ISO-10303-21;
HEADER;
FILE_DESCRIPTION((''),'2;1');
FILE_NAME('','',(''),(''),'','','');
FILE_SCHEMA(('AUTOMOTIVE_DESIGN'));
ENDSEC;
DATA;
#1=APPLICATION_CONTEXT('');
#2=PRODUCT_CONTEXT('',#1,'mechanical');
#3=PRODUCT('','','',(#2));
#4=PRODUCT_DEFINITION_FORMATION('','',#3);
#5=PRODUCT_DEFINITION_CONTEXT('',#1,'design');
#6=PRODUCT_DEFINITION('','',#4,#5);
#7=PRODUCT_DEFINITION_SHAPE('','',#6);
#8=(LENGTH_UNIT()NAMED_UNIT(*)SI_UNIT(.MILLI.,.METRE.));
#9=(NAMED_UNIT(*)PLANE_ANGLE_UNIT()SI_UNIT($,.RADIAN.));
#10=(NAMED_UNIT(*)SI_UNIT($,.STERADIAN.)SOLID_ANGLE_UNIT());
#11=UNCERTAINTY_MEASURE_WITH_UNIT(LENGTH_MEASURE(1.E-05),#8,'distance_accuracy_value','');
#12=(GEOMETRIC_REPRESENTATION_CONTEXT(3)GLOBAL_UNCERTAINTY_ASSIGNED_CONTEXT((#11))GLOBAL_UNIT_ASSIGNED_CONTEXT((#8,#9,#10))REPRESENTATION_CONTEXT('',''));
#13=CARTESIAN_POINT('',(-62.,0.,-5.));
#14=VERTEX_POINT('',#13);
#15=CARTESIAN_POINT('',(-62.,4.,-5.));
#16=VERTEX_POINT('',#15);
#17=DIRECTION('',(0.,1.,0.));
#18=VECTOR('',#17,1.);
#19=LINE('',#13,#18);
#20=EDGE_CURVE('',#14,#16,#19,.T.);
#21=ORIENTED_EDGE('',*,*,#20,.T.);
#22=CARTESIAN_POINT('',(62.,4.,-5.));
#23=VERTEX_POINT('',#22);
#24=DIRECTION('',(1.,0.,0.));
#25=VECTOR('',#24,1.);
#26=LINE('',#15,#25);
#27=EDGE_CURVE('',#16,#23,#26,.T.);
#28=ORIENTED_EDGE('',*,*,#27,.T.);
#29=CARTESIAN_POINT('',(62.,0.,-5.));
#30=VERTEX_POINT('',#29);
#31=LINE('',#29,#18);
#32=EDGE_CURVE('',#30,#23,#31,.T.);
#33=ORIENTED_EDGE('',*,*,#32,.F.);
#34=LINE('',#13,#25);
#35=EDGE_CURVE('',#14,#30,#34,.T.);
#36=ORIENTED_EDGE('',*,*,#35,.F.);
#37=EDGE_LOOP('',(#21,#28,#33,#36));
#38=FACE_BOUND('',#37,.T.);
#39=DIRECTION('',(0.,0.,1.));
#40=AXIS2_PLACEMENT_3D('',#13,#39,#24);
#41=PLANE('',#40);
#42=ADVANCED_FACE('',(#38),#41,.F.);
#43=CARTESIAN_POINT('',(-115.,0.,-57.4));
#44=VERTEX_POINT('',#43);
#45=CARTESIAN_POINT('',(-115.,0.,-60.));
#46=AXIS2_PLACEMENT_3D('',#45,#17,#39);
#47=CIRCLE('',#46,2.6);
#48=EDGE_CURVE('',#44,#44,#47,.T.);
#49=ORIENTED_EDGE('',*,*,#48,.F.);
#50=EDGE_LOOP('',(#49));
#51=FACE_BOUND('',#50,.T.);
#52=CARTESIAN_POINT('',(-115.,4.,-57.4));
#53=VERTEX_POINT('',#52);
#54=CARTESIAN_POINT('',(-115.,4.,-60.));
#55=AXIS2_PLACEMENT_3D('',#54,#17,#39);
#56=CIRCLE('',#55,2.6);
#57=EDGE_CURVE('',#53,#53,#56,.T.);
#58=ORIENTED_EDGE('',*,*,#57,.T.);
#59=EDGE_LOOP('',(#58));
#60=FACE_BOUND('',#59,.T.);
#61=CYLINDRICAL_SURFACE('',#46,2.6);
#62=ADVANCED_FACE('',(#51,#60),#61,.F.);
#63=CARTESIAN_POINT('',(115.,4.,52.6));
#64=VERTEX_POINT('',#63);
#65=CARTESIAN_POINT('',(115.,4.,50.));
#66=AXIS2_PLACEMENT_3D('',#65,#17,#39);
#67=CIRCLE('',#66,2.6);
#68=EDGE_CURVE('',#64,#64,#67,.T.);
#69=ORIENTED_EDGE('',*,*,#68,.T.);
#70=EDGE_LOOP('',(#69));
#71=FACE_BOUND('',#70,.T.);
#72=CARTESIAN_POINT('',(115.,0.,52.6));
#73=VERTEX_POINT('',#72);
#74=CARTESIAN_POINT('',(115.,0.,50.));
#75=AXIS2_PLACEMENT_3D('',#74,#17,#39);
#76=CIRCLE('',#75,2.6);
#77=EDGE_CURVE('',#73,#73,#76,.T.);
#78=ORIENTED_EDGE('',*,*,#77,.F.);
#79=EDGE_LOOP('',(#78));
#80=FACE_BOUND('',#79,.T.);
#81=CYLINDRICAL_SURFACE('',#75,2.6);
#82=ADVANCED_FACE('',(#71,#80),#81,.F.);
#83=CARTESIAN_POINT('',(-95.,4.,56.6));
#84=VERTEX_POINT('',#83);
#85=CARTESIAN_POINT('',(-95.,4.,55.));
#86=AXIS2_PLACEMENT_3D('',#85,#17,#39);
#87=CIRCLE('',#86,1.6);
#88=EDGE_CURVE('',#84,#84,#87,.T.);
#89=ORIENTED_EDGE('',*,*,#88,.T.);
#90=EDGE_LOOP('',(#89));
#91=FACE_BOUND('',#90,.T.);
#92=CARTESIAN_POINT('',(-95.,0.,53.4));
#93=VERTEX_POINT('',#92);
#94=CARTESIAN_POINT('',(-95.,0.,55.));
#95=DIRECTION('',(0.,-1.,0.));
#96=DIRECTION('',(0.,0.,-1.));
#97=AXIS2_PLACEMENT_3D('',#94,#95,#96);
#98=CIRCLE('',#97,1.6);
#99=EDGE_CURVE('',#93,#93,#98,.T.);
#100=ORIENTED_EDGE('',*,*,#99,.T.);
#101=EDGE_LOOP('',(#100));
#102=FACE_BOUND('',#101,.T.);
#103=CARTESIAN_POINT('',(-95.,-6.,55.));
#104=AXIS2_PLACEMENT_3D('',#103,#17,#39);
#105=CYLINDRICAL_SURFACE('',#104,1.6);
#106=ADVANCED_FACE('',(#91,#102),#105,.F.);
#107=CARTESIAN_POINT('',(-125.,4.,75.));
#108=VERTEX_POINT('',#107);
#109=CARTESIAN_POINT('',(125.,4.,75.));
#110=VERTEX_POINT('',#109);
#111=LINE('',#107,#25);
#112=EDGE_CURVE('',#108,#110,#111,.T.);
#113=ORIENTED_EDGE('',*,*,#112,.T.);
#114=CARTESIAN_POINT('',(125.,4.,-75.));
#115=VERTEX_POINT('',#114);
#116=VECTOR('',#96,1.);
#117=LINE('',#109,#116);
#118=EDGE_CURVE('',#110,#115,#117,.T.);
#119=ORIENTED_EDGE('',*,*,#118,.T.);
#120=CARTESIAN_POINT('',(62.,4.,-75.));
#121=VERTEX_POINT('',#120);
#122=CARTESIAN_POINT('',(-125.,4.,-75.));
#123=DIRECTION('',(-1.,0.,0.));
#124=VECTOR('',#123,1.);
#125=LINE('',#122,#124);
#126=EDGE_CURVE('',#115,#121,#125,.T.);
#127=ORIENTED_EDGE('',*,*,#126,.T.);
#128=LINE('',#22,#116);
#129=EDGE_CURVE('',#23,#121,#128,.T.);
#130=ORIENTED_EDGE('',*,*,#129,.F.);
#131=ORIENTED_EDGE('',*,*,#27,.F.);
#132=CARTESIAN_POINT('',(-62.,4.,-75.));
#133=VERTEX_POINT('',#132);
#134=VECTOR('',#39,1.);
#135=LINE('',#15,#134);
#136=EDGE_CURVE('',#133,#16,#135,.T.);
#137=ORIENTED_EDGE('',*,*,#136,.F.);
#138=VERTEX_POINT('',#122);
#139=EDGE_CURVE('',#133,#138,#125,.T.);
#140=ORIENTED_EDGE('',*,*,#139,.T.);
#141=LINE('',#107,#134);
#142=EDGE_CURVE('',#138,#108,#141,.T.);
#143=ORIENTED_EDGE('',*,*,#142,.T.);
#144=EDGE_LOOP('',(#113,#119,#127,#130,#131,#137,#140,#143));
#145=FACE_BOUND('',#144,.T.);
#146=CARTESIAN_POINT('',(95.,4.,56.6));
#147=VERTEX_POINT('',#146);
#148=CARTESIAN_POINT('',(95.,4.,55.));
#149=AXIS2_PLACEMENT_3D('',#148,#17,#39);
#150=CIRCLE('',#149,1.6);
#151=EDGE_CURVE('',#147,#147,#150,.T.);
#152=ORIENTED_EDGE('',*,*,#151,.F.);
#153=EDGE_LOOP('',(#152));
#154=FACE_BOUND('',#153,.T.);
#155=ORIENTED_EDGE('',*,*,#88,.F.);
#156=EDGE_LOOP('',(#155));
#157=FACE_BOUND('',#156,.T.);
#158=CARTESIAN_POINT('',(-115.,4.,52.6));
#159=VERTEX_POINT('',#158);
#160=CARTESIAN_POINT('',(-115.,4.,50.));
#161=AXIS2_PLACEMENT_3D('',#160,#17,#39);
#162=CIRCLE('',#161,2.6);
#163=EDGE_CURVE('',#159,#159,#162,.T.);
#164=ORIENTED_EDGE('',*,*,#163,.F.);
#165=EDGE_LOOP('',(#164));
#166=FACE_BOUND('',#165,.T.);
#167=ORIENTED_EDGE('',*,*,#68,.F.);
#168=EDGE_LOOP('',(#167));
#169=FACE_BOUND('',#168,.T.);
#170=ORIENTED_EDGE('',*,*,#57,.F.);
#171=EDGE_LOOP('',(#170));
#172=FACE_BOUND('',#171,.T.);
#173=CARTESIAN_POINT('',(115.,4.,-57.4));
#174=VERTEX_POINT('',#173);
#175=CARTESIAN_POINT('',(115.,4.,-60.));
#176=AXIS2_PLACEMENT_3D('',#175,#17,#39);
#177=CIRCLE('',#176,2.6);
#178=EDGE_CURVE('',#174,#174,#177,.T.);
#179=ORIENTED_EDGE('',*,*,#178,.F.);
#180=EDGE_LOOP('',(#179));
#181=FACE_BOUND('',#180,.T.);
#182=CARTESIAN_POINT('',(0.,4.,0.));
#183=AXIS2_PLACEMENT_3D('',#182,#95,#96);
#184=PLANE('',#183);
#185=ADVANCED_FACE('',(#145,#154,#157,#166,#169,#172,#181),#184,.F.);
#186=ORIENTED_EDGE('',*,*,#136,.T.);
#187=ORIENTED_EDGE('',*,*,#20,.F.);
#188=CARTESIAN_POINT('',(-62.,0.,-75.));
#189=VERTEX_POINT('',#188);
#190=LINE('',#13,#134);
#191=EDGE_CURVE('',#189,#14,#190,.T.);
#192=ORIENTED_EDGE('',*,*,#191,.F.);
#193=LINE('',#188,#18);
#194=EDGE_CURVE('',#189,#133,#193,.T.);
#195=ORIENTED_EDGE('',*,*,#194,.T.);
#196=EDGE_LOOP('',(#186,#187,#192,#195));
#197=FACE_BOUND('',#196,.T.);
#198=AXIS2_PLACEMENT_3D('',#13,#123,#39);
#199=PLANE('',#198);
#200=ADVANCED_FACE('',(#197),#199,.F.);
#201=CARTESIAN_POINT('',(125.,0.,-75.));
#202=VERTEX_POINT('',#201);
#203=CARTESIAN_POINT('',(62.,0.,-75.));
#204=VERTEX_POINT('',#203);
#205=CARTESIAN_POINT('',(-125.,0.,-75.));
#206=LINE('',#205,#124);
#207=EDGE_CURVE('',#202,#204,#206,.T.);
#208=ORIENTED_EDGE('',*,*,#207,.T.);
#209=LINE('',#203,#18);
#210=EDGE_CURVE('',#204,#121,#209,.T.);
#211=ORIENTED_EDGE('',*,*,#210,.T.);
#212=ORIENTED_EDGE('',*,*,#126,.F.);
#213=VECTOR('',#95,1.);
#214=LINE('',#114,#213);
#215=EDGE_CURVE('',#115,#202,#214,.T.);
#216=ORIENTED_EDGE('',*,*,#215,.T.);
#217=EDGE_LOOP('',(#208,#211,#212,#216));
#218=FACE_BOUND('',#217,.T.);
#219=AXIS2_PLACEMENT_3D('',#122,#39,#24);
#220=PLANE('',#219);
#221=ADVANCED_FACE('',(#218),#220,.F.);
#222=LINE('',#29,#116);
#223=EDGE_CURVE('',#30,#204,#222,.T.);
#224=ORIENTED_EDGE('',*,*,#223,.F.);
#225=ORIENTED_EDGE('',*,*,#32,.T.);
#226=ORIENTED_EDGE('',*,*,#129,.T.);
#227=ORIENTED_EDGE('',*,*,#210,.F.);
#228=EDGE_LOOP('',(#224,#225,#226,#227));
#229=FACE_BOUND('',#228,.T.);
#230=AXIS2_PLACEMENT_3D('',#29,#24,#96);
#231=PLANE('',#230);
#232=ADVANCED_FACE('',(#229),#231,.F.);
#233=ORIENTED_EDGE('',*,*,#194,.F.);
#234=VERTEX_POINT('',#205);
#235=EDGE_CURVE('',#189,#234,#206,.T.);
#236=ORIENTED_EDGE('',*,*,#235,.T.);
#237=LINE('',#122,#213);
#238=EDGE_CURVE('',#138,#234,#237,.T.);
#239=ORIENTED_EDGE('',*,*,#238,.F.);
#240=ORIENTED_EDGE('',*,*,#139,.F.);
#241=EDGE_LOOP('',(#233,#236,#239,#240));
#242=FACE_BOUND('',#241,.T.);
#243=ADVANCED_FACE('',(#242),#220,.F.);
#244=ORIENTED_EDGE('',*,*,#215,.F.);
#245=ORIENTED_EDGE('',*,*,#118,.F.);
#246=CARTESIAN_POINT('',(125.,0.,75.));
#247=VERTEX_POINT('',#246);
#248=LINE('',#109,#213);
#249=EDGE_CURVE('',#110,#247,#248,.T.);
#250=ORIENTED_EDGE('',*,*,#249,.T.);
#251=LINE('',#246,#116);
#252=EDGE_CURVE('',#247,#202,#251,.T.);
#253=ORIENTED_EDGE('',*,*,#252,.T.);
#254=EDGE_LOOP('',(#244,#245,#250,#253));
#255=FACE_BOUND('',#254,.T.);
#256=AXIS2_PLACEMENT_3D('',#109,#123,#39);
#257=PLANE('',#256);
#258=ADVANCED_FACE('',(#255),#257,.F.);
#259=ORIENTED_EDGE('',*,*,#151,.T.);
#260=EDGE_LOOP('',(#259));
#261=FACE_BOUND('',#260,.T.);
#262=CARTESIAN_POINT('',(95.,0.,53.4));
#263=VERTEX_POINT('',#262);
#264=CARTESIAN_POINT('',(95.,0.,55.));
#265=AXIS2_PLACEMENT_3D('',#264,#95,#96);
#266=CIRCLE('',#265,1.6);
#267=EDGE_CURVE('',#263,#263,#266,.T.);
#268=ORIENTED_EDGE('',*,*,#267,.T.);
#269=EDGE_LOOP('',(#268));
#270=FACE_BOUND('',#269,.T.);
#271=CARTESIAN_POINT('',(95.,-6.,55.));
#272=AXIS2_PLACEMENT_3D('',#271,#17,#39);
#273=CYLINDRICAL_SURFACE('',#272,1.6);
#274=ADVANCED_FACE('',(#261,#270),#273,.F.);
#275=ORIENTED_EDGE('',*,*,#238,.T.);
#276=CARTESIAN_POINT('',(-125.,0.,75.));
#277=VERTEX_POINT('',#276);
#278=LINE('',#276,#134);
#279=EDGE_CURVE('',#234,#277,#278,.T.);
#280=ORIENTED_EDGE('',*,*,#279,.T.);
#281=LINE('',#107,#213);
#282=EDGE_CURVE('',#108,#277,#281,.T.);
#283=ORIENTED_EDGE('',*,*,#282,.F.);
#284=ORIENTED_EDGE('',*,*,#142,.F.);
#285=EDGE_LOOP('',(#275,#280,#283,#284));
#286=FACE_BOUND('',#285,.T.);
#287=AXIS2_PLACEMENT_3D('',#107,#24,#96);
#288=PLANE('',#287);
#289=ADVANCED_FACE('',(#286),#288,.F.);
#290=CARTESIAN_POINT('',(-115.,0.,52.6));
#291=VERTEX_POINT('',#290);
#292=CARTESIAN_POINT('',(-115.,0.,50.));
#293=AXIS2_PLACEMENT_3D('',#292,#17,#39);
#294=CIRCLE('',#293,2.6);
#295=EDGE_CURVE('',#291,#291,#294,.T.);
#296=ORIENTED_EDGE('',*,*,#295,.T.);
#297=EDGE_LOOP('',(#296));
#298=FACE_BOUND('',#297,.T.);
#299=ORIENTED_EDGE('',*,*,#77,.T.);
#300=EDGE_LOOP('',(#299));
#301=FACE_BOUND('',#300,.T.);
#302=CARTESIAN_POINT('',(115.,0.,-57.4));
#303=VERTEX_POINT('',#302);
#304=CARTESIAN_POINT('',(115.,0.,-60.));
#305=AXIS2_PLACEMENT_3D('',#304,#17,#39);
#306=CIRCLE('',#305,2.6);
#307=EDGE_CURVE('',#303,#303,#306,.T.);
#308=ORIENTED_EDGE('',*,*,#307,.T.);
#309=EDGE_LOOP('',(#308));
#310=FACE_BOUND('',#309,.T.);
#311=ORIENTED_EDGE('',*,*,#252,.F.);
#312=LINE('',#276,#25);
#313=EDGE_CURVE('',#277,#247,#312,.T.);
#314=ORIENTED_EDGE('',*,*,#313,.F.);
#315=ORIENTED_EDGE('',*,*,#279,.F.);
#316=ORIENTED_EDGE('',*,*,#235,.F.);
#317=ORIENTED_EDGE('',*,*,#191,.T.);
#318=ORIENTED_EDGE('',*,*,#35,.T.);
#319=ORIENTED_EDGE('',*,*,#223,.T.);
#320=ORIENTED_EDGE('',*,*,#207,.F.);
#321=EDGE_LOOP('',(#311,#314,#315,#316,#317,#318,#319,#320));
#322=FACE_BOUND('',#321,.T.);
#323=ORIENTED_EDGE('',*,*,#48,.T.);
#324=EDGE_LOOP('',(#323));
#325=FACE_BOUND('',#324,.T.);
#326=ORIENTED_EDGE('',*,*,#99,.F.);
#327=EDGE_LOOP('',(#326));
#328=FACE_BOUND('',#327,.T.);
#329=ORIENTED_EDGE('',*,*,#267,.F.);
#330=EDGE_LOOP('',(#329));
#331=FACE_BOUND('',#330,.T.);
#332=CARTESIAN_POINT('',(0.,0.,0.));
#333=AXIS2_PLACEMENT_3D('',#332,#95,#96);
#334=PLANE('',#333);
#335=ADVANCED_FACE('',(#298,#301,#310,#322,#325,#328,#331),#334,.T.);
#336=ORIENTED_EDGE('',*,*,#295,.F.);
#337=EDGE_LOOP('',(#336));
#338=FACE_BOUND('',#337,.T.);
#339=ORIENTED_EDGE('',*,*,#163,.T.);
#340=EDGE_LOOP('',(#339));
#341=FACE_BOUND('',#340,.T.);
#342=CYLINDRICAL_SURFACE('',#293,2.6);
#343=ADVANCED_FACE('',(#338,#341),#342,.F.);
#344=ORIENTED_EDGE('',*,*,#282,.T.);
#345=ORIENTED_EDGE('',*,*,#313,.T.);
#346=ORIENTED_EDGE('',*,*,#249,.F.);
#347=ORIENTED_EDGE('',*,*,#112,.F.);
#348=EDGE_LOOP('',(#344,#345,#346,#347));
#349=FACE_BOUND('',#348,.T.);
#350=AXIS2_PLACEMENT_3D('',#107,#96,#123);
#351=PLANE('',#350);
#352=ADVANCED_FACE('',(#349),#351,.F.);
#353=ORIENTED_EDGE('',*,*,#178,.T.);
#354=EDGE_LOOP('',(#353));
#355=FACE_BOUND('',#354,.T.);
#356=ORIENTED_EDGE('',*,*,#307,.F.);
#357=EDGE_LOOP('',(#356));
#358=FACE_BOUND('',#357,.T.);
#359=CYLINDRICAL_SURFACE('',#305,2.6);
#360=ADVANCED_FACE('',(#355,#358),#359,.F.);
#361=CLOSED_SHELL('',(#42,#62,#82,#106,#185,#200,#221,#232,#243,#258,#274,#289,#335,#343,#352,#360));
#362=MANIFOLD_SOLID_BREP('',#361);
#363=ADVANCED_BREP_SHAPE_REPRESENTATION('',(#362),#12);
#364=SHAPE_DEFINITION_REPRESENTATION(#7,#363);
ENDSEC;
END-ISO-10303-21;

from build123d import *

# Parameters (mm, degrees)
CROQUIS1_W              = 250
CROQUIS1_H              = 150
SALIENTE_EXTRUIR1_DEPTH = 4
CROQUIS2_R              = 2.6
CROQUIS2_W              = 124
CROQUIS2_H              = 70
CORTAR_EXTRUIR1_DEPTH   = 4
CROQUIS3_R              = 1.6
CORTAR_EXTRUIR2_DEPTH   = 10


with BuildPart() as part:
    # Croquis1 → Saliente-Extruir1 (new body)
    with BuildSketch(Plane(origin=(0, 0, 0), x_dir=(1, 0, 0), z_dir=(0, 1, 0))):
        Rectangle(CROQUIS1_W, CROQUIS1_H)
    extrude(amount=SALIENTE_EXTRUIR1_DEPTH)

    # Croquis2 → Cortar-Extruir1 (cut)
    with BuildSketch(Plane(origin=(0, 4, 0), x_dir=(1, 0, 0), z_dir=(0, 1, 0))):
        with Locations(Location((-115, 60, 0), (0, 0, 270))):
            Circle(CROQUIS2_R)
        with Locations(Location((115, 60, 0), (0, 0, 270))):
            Circle(CROQUIS2_R)
        with Locations(Location((115, -50, 0), (0, 0, 270))):
            Circle(CROQUIS2_R)
        with Locations(Location((-115, -50, 0), (0, 0, 270))):
            Circle(CROQUIS2_R)
        with Locations((0, 40)):
            Rectangle(CROQUIS2_W, CROQUIS2_H)
    extrude(amount=-CORTAR_EXTRUIR1_DEPTH, mode=Mode.SUBTRACT)

    # Croquis3 → Cortar-Extruir2 (cut)
    with BuildSketch(Plane(origin=(0, 4, 0), x_dir=(1, 0, 0), z_dir=(0, 1, 0))):
        with Locations(Location((95, -55, 0), (0, 0, 270))):
            Circle(CROQUIS3_R)
        with Locations(Location((-95, -55, 0), (0, 0, 270))):
            Circle(CROQUIS3_R)
    extrude(amount=-CORTAR_EXTRUIR2_DEPTH, mode=Mode.SUBTRACT)


solid = part.part
